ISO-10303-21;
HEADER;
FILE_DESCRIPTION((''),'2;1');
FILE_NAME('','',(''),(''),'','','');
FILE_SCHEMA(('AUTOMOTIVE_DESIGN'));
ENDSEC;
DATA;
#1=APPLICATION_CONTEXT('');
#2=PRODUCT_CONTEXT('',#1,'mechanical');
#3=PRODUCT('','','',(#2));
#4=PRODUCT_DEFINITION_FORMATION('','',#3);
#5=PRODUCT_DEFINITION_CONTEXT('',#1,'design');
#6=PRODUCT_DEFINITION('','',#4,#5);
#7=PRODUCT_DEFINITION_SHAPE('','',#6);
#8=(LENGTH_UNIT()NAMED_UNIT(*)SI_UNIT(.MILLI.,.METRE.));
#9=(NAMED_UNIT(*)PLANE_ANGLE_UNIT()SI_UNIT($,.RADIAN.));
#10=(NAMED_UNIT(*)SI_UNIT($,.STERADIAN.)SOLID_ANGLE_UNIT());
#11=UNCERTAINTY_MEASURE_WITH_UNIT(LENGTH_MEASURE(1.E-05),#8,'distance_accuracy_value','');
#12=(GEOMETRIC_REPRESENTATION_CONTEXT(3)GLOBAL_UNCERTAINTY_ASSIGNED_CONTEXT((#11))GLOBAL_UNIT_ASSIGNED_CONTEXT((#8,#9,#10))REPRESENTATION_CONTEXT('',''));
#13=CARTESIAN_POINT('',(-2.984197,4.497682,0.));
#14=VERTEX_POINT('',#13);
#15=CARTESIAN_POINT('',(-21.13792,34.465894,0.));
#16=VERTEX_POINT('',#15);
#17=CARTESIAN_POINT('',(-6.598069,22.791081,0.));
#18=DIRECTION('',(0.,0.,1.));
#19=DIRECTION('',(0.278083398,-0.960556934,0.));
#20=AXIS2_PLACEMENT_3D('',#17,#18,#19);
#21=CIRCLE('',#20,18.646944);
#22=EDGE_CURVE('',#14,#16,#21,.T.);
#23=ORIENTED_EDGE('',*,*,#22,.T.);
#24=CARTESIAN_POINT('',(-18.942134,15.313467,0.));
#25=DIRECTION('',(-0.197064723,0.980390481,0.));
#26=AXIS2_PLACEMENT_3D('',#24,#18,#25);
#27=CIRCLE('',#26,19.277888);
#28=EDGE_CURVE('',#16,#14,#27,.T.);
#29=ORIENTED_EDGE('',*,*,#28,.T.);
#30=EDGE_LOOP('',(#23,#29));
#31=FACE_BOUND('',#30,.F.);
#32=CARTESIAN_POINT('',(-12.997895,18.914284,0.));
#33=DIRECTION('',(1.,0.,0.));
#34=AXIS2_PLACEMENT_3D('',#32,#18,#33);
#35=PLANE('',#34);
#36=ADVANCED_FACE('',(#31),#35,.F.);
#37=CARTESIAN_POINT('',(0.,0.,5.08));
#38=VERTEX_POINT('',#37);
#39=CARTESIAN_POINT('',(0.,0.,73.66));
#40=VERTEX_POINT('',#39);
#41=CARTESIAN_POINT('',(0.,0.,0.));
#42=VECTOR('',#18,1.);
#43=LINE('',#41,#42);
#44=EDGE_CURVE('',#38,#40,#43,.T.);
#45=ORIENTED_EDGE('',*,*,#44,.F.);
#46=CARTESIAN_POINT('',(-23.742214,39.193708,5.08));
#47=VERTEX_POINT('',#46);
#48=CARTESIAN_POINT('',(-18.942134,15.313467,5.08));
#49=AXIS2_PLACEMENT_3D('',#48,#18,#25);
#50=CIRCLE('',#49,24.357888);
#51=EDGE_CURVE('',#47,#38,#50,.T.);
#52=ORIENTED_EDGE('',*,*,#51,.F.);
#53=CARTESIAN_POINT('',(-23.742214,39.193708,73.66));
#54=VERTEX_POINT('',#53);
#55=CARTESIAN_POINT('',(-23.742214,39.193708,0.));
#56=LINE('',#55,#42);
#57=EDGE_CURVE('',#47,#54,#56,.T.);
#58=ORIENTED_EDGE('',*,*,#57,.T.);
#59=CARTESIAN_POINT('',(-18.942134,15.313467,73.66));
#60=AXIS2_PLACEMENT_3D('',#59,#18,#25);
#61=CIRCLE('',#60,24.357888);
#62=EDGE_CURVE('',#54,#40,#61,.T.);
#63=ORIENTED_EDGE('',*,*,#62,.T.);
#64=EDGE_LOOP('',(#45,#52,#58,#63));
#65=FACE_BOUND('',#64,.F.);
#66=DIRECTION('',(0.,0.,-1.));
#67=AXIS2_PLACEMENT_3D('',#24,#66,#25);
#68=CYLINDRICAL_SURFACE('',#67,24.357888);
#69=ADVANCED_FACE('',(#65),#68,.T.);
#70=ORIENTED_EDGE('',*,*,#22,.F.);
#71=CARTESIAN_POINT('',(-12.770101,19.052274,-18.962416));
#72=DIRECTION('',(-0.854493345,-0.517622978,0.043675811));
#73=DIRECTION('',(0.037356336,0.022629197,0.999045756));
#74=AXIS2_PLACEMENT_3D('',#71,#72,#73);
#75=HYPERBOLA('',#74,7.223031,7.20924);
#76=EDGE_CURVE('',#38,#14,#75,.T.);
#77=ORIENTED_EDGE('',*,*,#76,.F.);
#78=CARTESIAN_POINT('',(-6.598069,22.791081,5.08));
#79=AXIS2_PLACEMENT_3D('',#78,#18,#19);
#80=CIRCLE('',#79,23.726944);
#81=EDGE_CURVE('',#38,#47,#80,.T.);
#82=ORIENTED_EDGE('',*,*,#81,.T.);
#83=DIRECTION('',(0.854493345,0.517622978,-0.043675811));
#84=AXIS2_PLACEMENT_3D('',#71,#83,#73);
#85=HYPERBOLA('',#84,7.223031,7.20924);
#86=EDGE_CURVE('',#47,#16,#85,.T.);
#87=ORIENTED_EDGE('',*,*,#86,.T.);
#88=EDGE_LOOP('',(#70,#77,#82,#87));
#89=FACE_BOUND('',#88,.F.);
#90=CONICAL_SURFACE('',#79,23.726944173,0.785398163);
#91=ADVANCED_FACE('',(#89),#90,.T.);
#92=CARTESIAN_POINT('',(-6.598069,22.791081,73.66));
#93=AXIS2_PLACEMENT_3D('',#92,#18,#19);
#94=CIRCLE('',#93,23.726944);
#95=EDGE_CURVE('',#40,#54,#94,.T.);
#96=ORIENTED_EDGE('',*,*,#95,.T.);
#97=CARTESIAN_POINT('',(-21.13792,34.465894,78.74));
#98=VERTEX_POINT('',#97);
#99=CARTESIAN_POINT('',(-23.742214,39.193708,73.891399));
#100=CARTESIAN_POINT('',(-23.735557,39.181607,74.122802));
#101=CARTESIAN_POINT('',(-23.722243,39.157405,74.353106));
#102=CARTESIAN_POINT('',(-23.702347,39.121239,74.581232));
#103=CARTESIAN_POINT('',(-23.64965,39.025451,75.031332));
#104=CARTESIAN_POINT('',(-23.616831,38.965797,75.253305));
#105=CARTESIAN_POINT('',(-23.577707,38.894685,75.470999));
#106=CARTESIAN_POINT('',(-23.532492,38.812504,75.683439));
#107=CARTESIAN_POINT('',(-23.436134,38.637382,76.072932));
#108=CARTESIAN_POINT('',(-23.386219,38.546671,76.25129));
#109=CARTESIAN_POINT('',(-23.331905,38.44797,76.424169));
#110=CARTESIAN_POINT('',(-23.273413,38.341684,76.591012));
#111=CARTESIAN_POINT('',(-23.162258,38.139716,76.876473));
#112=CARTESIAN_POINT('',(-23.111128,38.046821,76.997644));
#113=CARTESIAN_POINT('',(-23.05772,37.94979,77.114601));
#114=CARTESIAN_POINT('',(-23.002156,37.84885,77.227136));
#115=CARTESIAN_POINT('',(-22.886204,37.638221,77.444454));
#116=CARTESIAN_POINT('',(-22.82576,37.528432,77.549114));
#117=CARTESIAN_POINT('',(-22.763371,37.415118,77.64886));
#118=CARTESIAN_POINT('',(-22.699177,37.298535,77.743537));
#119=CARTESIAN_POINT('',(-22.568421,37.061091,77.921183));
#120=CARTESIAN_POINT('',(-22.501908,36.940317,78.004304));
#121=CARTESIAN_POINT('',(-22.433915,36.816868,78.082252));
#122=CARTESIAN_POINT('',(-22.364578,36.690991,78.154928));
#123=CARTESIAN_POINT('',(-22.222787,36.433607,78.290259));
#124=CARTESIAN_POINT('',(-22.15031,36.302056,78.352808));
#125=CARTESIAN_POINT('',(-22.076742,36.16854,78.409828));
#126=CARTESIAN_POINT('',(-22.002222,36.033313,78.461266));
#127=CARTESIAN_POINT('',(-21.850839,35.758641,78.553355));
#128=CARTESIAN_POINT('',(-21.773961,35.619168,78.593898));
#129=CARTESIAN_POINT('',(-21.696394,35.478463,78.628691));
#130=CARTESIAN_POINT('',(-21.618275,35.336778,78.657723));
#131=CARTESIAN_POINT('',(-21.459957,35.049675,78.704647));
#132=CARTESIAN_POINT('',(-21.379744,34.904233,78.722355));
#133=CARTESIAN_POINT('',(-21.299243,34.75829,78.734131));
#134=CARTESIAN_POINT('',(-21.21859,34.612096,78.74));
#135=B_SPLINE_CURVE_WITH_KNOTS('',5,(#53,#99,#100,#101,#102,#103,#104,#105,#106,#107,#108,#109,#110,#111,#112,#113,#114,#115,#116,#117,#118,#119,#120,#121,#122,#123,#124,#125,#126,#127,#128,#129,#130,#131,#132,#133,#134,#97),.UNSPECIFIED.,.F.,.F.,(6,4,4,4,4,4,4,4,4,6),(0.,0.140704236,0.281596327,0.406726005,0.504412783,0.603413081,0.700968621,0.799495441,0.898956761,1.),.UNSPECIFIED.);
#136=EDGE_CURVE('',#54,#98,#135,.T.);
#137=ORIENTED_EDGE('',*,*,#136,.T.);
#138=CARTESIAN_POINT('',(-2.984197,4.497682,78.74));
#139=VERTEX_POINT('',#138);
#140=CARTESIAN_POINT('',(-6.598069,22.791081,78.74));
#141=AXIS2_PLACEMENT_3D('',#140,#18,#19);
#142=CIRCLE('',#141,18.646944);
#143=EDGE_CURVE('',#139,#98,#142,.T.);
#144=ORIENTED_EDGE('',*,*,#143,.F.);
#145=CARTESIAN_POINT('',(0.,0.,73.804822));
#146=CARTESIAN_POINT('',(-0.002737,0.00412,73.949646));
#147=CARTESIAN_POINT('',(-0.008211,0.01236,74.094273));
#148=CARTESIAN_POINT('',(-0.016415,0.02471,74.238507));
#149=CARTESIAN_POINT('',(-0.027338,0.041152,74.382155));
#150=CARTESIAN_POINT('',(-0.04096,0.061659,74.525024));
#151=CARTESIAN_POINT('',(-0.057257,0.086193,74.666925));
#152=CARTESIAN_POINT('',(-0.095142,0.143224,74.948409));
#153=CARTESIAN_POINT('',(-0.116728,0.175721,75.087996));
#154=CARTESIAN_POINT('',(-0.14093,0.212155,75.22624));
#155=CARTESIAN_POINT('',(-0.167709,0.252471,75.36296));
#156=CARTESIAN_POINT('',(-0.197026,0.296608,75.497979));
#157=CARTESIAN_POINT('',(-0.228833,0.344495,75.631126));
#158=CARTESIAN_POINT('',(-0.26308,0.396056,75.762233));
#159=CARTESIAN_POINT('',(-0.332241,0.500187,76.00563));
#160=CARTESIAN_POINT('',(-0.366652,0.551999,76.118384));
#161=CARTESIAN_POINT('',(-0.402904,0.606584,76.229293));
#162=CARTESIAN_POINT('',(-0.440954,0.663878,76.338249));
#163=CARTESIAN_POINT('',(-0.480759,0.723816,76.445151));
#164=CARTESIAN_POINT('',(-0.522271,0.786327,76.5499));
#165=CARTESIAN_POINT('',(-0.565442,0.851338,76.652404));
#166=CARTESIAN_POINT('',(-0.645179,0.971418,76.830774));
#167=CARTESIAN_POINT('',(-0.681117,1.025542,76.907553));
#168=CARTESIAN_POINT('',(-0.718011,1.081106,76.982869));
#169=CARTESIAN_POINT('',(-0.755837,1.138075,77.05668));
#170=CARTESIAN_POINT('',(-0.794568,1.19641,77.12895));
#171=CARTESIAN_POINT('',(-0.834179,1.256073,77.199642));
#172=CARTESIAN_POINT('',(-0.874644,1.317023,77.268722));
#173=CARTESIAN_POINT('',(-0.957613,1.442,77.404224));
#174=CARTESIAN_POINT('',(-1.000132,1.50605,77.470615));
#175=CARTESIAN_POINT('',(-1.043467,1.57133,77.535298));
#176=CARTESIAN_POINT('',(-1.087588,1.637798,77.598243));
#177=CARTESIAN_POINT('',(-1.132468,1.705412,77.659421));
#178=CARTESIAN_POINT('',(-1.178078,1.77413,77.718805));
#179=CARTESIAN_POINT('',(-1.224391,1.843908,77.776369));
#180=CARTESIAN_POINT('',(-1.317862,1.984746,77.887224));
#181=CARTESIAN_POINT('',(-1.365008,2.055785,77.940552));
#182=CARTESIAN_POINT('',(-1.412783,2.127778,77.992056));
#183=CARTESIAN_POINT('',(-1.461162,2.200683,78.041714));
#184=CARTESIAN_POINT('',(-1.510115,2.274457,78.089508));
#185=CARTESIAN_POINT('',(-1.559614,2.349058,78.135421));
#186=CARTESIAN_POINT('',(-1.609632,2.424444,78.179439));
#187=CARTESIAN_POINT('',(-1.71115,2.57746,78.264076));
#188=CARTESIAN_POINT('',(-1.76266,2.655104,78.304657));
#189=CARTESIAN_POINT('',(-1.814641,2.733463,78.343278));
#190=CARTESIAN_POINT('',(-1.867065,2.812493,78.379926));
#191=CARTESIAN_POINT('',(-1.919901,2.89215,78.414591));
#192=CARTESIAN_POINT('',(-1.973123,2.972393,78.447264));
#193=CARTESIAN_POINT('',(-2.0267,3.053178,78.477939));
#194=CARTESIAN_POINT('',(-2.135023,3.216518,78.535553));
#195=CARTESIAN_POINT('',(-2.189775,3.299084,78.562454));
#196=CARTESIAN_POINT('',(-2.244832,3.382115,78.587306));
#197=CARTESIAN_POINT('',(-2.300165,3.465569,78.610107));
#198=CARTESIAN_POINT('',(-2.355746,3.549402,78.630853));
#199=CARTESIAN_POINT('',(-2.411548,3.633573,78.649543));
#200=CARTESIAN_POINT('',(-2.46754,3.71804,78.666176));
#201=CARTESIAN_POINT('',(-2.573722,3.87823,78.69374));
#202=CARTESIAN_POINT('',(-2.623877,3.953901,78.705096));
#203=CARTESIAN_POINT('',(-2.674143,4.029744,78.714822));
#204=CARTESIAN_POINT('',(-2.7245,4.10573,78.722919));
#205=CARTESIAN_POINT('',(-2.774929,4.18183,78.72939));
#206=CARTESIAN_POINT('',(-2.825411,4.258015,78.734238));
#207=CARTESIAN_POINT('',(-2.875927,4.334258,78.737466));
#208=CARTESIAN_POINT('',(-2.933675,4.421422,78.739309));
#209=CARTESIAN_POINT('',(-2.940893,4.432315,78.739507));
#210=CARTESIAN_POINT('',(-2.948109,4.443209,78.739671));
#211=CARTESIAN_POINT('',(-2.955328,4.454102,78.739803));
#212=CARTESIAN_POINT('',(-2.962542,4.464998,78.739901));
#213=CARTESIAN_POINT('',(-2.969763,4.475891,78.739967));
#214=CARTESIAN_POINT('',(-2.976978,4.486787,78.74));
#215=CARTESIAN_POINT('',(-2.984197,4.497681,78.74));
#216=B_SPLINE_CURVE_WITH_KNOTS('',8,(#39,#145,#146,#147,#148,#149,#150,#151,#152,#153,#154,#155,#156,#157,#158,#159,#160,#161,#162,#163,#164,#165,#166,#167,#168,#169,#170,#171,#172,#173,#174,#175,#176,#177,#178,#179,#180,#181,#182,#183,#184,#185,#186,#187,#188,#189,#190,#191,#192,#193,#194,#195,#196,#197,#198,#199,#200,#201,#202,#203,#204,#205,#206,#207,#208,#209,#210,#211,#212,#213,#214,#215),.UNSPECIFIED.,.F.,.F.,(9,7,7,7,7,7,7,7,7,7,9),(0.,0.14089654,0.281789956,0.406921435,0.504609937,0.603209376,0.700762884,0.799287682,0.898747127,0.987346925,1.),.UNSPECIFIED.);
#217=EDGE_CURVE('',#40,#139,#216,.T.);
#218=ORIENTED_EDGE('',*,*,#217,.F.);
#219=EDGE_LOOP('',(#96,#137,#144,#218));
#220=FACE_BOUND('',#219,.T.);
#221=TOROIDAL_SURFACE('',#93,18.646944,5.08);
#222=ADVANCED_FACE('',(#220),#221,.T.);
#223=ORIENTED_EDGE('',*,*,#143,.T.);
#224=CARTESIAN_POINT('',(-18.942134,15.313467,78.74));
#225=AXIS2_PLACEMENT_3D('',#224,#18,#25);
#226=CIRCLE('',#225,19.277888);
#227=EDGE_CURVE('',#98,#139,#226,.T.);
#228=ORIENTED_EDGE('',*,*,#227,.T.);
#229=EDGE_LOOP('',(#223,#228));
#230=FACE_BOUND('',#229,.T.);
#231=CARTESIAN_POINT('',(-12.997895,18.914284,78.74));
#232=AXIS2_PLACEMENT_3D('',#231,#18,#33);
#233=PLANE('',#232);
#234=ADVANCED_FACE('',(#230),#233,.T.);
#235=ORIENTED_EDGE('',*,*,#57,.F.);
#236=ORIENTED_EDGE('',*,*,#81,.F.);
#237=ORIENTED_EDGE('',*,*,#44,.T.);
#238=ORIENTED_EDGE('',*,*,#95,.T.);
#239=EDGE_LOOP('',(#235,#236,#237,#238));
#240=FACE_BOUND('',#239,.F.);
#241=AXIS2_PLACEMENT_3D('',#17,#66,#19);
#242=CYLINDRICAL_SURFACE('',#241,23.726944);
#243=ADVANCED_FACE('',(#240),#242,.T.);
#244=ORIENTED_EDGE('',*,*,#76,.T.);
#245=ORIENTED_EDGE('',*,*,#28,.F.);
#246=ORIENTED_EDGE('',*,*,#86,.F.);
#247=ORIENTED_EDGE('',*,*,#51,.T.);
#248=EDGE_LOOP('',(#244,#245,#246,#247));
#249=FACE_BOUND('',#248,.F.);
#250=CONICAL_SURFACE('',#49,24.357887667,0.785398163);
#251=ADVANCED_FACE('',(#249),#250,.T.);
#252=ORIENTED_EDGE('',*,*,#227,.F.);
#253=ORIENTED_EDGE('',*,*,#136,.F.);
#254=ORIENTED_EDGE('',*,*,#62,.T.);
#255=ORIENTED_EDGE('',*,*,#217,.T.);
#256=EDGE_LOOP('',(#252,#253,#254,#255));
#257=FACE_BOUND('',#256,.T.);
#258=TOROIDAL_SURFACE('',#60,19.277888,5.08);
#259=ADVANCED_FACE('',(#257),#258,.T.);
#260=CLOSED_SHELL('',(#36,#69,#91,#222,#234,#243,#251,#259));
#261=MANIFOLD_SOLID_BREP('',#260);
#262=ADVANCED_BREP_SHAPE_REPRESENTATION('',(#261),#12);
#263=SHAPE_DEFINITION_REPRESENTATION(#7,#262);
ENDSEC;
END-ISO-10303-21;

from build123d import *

# Parameters (mm, degrees)
F1_DEPTH = 78.74
F2_R     = 5.08
F3_SIZE  = 5.08


with BuildPart() as f1:
    # F0 (on Top) → F1 (new body)
    with BuildSketch(Plane.XY):
        with BuildLine():
            ThreePointArc((-23.742214, 39.193708), (-39.775667, 2.693222), (0, 0))
            ThreePointArc((0, 0), (13.695812, 35.084423), (-23.742214, 39.193708))
        make_face()
    extrude(amount=F1_DEPTH)

    # F2
    f2_edges = [f1.edges().sort_by_distance(p)[0] for p in [
        (-39.775667, 2.693222, 78.74),
        (13.695812, 35.084423, 78.74),
    ]]
    fillet(f2_edges, radius=F2_R)

    # F3
    f3_edges = [f1.edges().sort_by_distance(p)[0] for p in [
        (-39.775667, 2.693222, 0),
        (13.695812, 35.084423, 0),
    ]]
    chamfer(f3_edges, length=F3_SIZE)


solid = f1.part
